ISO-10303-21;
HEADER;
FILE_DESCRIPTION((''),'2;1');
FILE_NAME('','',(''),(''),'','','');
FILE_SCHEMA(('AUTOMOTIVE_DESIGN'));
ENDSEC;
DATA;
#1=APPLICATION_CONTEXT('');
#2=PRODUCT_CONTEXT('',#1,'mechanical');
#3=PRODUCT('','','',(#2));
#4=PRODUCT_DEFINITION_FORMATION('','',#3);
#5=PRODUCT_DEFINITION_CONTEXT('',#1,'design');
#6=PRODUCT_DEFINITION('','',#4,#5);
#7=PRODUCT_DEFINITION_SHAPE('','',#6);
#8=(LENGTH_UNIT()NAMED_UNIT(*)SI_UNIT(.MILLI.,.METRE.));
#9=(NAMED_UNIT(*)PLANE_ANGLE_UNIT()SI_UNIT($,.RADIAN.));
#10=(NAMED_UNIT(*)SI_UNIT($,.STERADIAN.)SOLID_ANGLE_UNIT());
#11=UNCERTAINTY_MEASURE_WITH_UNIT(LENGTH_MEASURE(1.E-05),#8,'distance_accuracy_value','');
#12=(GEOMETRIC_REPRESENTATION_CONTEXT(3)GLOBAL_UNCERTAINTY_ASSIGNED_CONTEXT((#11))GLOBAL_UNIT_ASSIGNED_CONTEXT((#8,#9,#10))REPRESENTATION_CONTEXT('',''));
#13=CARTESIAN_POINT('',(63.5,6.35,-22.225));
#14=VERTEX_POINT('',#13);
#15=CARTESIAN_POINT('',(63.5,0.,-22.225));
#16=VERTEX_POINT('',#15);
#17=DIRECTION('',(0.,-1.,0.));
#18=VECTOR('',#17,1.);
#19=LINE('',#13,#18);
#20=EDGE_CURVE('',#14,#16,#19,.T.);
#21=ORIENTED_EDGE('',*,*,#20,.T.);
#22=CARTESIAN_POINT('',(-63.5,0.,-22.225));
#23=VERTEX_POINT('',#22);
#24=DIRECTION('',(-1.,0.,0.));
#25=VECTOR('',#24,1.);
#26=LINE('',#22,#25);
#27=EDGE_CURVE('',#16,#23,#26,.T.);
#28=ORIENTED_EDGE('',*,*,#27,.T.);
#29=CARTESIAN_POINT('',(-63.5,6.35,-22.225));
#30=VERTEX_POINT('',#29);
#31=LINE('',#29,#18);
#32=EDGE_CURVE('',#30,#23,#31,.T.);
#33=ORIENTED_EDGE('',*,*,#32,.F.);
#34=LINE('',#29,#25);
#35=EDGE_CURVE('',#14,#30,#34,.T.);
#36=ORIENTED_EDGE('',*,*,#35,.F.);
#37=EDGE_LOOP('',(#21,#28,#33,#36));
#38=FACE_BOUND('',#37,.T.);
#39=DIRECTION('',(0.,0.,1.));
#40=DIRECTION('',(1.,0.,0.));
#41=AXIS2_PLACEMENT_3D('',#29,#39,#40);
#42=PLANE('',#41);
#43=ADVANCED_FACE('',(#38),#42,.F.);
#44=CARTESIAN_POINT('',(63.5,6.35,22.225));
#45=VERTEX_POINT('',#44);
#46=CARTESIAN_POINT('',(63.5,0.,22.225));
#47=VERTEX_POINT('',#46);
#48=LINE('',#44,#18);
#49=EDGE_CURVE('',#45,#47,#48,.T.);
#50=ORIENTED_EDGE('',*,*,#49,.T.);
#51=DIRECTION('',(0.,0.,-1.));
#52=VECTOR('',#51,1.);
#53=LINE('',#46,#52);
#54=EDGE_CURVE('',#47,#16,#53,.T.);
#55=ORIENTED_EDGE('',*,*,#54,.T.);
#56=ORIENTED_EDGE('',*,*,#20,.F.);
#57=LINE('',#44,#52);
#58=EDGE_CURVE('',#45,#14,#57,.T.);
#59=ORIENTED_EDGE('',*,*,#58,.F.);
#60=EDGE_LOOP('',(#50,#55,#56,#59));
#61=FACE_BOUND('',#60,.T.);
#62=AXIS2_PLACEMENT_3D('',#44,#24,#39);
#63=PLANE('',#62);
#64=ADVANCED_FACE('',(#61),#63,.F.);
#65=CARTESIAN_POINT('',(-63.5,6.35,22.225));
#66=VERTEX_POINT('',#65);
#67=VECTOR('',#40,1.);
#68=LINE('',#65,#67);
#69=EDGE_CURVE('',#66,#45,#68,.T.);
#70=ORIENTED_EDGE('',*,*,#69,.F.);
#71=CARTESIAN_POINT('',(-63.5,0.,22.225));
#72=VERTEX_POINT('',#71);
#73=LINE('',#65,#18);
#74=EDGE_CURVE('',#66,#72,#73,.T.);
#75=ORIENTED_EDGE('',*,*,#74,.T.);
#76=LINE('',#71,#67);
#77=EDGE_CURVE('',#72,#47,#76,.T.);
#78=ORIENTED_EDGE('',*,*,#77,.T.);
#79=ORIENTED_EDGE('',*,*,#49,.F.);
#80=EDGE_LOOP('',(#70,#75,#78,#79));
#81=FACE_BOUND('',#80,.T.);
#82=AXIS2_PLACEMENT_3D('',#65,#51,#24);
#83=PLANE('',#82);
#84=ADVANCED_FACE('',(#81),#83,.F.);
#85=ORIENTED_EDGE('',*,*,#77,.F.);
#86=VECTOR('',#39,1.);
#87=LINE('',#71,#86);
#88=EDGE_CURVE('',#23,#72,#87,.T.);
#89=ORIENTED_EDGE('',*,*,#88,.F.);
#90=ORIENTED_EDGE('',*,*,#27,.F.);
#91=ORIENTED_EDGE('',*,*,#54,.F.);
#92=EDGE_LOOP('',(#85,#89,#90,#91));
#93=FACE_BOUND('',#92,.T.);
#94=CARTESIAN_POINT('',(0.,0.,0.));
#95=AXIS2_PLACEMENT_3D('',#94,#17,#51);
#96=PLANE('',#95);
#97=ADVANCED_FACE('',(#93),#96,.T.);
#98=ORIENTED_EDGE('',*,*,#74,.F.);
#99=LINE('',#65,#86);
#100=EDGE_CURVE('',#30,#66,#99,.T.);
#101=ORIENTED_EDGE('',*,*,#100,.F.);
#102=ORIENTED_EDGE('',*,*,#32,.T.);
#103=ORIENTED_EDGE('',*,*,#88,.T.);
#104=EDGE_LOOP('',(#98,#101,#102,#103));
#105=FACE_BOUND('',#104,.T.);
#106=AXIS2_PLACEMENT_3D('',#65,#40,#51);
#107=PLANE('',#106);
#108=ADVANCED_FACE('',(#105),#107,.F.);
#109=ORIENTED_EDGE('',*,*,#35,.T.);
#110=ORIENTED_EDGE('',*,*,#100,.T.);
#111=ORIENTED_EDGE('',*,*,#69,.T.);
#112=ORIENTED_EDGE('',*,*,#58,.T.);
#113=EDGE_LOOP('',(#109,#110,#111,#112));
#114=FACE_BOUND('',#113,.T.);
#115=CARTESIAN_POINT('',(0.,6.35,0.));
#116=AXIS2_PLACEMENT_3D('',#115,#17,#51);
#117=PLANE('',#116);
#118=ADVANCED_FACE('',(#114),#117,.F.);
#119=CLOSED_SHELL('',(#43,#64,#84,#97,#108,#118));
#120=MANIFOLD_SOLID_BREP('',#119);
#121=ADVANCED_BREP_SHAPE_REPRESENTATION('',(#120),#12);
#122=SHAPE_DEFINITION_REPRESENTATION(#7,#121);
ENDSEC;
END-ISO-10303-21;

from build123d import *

# Parameters (mm, degrees)
SKETCH1_W           = 127
SKETCH1_H           = 44.45
BOSS_EXTRUDE1_DEPTH = 6.35


with BuildPart() as part:
    # Sketch1 → Boss-Extrude1 (new body)
    with BuildSketch(Plane(origin=(0, 0, 0), x_dir=(1, 0, 0), z_dir=(0, 1, 0))):
        Rectangle(SKETCH1_W, SKETCH1_H)
    extrude(amount=BOSS_EXTRUDE1_DEPTH)


solid = part.part
